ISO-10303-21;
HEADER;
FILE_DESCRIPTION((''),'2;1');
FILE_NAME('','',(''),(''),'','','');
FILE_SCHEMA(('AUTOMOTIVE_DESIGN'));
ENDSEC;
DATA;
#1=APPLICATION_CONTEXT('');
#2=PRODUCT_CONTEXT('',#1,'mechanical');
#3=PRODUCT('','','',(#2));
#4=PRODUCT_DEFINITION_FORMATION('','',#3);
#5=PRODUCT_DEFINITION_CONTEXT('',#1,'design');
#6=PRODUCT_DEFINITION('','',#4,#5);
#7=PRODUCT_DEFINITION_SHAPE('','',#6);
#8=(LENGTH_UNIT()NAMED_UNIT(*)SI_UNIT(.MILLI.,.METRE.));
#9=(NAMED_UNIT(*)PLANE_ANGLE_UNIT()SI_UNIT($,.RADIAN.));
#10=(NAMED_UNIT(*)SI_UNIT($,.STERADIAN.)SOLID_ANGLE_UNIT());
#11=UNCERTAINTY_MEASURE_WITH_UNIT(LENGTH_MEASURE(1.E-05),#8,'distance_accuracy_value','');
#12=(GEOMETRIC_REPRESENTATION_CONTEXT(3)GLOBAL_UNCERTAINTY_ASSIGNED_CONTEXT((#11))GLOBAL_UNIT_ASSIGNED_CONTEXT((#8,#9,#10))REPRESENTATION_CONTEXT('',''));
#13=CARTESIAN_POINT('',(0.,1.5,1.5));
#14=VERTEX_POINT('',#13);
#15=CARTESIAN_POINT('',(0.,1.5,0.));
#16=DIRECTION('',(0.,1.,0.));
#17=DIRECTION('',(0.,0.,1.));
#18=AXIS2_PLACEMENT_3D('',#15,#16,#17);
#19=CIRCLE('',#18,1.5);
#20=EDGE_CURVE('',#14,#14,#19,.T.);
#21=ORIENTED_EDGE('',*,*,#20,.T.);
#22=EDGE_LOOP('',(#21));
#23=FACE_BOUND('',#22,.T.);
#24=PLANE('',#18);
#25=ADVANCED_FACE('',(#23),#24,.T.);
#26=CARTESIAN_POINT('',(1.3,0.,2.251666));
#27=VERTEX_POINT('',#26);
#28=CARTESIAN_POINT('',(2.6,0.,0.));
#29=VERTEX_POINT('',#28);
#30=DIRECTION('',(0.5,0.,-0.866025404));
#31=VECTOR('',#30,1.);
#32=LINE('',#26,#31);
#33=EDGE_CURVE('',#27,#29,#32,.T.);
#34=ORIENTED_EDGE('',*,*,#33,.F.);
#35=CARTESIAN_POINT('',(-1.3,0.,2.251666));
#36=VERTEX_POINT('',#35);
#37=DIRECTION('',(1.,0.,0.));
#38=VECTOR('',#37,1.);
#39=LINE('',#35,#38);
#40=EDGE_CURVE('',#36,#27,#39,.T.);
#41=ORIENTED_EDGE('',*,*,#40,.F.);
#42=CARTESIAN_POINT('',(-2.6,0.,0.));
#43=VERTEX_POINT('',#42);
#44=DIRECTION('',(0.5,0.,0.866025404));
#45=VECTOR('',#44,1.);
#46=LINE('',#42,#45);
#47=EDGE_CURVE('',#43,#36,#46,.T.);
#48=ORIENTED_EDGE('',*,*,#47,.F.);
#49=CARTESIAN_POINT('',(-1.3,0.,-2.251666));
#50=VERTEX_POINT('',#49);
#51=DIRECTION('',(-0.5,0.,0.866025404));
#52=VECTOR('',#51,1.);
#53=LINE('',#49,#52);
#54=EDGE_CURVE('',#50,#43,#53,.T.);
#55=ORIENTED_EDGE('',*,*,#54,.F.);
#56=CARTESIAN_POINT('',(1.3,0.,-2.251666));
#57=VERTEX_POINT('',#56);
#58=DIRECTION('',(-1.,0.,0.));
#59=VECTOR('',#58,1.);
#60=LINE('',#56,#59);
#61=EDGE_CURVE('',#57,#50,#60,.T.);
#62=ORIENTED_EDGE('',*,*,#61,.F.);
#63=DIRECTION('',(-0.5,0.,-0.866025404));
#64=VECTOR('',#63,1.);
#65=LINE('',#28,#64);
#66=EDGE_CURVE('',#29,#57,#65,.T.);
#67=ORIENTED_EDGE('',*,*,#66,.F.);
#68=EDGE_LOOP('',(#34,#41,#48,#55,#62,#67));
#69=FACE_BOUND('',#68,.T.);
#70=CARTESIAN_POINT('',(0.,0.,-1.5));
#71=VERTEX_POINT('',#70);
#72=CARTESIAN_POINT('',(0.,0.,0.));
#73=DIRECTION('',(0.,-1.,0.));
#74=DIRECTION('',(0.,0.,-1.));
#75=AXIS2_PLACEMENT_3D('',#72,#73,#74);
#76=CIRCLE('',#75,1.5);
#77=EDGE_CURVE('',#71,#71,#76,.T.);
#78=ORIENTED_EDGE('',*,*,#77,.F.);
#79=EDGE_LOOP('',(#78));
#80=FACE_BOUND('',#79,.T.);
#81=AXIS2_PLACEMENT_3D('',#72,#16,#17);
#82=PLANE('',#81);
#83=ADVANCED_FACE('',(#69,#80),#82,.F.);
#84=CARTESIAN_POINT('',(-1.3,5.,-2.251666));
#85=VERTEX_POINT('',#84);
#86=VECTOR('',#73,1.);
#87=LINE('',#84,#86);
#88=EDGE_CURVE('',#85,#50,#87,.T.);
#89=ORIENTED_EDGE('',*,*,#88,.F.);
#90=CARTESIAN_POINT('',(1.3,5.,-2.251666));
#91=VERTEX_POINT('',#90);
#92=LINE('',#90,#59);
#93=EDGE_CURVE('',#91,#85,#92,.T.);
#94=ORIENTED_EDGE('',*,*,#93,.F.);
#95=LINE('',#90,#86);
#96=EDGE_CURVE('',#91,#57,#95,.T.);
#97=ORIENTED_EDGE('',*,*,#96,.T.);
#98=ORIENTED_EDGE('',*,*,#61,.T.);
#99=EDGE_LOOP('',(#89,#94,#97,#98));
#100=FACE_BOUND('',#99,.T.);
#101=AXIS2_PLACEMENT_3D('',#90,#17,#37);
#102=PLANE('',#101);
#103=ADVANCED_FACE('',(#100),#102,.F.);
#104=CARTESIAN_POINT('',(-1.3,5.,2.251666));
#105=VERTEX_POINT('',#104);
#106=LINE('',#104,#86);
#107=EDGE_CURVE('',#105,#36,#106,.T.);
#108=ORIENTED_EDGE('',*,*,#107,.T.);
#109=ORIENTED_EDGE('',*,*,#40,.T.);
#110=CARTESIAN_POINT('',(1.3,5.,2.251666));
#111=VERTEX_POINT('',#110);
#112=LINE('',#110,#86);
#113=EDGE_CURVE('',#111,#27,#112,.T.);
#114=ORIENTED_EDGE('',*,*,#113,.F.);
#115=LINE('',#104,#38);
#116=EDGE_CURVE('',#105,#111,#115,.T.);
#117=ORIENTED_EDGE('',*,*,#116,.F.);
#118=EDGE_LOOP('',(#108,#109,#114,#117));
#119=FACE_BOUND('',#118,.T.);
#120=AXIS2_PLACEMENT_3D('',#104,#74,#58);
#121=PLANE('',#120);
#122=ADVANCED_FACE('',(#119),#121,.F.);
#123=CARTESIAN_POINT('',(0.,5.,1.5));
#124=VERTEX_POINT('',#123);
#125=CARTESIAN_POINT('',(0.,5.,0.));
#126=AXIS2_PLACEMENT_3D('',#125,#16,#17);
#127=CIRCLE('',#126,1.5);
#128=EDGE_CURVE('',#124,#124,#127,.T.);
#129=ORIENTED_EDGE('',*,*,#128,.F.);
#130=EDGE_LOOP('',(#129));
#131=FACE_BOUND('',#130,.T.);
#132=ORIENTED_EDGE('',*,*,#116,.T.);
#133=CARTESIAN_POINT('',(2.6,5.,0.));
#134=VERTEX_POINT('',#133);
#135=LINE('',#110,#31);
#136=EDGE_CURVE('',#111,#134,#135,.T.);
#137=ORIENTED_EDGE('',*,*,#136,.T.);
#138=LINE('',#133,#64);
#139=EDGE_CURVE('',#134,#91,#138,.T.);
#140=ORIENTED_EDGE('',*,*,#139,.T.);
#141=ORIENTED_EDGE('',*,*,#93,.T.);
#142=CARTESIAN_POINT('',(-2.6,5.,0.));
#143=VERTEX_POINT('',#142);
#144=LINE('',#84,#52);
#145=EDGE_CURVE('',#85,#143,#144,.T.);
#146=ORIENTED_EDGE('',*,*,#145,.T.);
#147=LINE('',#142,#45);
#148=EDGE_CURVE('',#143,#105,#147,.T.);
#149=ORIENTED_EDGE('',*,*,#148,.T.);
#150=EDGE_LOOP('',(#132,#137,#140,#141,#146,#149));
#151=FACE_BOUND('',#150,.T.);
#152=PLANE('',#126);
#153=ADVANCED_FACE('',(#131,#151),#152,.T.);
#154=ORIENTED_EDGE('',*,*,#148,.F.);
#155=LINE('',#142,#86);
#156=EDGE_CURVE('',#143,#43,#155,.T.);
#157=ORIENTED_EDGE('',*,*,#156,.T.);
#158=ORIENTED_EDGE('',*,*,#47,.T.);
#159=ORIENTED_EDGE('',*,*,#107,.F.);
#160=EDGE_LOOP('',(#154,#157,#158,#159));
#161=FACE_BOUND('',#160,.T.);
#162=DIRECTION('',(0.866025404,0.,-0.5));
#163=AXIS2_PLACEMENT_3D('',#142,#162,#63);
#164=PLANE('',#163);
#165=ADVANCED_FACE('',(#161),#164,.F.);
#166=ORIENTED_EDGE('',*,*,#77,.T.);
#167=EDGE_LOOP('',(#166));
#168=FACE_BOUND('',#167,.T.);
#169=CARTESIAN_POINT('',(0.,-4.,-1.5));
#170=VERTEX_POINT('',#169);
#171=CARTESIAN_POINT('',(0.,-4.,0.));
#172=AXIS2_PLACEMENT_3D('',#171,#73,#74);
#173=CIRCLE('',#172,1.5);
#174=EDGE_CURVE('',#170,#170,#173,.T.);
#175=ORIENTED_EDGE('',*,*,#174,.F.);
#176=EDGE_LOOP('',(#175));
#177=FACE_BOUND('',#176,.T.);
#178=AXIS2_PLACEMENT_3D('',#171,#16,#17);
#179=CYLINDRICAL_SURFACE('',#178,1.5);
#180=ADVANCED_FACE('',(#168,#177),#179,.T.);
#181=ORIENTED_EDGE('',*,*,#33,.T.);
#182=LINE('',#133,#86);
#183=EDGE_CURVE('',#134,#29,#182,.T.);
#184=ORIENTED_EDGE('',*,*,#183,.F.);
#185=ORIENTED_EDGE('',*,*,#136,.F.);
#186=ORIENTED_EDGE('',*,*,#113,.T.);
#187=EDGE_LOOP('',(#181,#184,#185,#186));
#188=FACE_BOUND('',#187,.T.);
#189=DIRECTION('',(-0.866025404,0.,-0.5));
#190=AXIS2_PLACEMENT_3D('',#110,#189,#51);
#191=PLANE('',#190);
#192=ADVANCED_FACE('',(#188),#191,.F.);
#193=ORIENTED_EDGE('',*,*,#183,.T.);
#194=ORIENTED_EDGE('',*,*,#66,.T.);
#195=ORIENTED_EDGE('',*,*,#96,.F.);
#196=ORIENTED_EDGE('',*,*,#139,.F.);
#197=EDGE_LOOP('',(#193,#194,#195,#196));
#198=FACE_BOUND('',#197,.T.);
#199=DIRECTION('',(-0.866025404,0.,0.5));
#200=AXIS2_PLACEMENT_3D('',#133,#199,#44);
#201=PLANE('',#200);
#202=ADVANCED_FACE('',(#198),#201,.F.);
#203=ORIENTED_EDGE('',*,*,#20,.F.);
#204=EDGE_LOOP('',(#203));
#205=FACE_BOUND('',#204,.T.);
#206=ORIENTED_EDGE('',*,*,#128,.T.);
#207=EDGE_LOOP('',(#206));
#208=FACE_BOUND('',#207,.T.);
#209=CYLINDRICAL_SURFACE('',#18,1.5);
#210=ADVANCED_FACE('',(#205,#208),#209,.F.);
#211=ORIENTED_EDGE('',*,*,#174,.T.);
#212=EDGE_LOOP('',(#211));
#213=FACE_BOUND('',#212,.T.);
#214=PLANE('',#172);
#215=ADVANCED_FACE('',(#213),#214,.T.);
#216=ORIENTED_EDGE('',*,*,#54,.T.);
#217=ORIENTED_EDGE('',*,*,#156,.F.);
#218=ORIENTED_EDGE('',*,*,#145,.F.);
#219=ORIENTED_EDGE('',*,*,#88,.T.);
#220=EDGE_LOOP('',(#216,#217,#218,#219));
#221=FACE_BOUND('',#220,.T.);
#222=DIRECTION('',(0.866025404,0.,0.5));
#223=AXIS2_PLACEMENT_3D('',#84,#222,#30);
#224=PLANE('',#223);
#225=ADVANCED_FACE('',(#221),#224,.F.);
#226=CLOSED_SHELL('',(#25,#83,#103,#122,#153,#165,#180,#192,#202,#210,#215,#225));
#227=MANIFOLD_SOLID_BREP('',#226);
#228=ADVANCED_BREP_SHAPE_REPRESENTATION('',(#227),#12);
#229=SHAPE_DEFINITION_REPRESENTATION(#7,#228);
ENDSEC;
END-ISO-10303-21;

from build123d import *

# Parameters (mm, degrees)
EXTRUDE_1_DEPTH     = 5
SKETCH_2_R          = 1.5
CUT_EXTRUDE_1_DEPTH = 3.5
SKETCH_3_R          = 1.5
EXTRUDE_2_DEPTH     = 4


with BuildPart() as part:
    # 草图1 → 凸台-拉伸1 (new body)
    with BuildSketch(Plane(origin=(0, 0, 0), x_dir=(1, 0, 0), z_dir=(0, 1, 0))):
        Polygon((2.6, 0), (1.3, 2.25166605), (-1.3, 2.25166605), (-2.6, 0), (-1.3, -2.25166605), (1.3, -2.25166605), align=None)
    extrude(amount=EXTRUDE_1_DEPTH)

    # 草图2 → 切除-拉伸1 (cut)
    with BuildSketch(Plane(origin=(0, 5, 0), x_dir=(1, 0, 0), z_dir=(0, 1, 0))):
        with Locations(Location((0, 0, 0), (0, 0, 270))):
            Circle(SKETCH_2_R)
    extrude(amount=-CUT_EXTRUDE_1_DEPTH, mode=Mode.SUBTRACT)

    # 草图3 → 凸台-拉伸2 (add)
    with BuildSketch(Plane.XZ):
        with Locations(Location((0, 0, 0), (0, 0, 90))):
            Circle(SKETCH_3_R)
    extrude(amount=EXTRUDE_2_DEPTH)


solid = part.part
